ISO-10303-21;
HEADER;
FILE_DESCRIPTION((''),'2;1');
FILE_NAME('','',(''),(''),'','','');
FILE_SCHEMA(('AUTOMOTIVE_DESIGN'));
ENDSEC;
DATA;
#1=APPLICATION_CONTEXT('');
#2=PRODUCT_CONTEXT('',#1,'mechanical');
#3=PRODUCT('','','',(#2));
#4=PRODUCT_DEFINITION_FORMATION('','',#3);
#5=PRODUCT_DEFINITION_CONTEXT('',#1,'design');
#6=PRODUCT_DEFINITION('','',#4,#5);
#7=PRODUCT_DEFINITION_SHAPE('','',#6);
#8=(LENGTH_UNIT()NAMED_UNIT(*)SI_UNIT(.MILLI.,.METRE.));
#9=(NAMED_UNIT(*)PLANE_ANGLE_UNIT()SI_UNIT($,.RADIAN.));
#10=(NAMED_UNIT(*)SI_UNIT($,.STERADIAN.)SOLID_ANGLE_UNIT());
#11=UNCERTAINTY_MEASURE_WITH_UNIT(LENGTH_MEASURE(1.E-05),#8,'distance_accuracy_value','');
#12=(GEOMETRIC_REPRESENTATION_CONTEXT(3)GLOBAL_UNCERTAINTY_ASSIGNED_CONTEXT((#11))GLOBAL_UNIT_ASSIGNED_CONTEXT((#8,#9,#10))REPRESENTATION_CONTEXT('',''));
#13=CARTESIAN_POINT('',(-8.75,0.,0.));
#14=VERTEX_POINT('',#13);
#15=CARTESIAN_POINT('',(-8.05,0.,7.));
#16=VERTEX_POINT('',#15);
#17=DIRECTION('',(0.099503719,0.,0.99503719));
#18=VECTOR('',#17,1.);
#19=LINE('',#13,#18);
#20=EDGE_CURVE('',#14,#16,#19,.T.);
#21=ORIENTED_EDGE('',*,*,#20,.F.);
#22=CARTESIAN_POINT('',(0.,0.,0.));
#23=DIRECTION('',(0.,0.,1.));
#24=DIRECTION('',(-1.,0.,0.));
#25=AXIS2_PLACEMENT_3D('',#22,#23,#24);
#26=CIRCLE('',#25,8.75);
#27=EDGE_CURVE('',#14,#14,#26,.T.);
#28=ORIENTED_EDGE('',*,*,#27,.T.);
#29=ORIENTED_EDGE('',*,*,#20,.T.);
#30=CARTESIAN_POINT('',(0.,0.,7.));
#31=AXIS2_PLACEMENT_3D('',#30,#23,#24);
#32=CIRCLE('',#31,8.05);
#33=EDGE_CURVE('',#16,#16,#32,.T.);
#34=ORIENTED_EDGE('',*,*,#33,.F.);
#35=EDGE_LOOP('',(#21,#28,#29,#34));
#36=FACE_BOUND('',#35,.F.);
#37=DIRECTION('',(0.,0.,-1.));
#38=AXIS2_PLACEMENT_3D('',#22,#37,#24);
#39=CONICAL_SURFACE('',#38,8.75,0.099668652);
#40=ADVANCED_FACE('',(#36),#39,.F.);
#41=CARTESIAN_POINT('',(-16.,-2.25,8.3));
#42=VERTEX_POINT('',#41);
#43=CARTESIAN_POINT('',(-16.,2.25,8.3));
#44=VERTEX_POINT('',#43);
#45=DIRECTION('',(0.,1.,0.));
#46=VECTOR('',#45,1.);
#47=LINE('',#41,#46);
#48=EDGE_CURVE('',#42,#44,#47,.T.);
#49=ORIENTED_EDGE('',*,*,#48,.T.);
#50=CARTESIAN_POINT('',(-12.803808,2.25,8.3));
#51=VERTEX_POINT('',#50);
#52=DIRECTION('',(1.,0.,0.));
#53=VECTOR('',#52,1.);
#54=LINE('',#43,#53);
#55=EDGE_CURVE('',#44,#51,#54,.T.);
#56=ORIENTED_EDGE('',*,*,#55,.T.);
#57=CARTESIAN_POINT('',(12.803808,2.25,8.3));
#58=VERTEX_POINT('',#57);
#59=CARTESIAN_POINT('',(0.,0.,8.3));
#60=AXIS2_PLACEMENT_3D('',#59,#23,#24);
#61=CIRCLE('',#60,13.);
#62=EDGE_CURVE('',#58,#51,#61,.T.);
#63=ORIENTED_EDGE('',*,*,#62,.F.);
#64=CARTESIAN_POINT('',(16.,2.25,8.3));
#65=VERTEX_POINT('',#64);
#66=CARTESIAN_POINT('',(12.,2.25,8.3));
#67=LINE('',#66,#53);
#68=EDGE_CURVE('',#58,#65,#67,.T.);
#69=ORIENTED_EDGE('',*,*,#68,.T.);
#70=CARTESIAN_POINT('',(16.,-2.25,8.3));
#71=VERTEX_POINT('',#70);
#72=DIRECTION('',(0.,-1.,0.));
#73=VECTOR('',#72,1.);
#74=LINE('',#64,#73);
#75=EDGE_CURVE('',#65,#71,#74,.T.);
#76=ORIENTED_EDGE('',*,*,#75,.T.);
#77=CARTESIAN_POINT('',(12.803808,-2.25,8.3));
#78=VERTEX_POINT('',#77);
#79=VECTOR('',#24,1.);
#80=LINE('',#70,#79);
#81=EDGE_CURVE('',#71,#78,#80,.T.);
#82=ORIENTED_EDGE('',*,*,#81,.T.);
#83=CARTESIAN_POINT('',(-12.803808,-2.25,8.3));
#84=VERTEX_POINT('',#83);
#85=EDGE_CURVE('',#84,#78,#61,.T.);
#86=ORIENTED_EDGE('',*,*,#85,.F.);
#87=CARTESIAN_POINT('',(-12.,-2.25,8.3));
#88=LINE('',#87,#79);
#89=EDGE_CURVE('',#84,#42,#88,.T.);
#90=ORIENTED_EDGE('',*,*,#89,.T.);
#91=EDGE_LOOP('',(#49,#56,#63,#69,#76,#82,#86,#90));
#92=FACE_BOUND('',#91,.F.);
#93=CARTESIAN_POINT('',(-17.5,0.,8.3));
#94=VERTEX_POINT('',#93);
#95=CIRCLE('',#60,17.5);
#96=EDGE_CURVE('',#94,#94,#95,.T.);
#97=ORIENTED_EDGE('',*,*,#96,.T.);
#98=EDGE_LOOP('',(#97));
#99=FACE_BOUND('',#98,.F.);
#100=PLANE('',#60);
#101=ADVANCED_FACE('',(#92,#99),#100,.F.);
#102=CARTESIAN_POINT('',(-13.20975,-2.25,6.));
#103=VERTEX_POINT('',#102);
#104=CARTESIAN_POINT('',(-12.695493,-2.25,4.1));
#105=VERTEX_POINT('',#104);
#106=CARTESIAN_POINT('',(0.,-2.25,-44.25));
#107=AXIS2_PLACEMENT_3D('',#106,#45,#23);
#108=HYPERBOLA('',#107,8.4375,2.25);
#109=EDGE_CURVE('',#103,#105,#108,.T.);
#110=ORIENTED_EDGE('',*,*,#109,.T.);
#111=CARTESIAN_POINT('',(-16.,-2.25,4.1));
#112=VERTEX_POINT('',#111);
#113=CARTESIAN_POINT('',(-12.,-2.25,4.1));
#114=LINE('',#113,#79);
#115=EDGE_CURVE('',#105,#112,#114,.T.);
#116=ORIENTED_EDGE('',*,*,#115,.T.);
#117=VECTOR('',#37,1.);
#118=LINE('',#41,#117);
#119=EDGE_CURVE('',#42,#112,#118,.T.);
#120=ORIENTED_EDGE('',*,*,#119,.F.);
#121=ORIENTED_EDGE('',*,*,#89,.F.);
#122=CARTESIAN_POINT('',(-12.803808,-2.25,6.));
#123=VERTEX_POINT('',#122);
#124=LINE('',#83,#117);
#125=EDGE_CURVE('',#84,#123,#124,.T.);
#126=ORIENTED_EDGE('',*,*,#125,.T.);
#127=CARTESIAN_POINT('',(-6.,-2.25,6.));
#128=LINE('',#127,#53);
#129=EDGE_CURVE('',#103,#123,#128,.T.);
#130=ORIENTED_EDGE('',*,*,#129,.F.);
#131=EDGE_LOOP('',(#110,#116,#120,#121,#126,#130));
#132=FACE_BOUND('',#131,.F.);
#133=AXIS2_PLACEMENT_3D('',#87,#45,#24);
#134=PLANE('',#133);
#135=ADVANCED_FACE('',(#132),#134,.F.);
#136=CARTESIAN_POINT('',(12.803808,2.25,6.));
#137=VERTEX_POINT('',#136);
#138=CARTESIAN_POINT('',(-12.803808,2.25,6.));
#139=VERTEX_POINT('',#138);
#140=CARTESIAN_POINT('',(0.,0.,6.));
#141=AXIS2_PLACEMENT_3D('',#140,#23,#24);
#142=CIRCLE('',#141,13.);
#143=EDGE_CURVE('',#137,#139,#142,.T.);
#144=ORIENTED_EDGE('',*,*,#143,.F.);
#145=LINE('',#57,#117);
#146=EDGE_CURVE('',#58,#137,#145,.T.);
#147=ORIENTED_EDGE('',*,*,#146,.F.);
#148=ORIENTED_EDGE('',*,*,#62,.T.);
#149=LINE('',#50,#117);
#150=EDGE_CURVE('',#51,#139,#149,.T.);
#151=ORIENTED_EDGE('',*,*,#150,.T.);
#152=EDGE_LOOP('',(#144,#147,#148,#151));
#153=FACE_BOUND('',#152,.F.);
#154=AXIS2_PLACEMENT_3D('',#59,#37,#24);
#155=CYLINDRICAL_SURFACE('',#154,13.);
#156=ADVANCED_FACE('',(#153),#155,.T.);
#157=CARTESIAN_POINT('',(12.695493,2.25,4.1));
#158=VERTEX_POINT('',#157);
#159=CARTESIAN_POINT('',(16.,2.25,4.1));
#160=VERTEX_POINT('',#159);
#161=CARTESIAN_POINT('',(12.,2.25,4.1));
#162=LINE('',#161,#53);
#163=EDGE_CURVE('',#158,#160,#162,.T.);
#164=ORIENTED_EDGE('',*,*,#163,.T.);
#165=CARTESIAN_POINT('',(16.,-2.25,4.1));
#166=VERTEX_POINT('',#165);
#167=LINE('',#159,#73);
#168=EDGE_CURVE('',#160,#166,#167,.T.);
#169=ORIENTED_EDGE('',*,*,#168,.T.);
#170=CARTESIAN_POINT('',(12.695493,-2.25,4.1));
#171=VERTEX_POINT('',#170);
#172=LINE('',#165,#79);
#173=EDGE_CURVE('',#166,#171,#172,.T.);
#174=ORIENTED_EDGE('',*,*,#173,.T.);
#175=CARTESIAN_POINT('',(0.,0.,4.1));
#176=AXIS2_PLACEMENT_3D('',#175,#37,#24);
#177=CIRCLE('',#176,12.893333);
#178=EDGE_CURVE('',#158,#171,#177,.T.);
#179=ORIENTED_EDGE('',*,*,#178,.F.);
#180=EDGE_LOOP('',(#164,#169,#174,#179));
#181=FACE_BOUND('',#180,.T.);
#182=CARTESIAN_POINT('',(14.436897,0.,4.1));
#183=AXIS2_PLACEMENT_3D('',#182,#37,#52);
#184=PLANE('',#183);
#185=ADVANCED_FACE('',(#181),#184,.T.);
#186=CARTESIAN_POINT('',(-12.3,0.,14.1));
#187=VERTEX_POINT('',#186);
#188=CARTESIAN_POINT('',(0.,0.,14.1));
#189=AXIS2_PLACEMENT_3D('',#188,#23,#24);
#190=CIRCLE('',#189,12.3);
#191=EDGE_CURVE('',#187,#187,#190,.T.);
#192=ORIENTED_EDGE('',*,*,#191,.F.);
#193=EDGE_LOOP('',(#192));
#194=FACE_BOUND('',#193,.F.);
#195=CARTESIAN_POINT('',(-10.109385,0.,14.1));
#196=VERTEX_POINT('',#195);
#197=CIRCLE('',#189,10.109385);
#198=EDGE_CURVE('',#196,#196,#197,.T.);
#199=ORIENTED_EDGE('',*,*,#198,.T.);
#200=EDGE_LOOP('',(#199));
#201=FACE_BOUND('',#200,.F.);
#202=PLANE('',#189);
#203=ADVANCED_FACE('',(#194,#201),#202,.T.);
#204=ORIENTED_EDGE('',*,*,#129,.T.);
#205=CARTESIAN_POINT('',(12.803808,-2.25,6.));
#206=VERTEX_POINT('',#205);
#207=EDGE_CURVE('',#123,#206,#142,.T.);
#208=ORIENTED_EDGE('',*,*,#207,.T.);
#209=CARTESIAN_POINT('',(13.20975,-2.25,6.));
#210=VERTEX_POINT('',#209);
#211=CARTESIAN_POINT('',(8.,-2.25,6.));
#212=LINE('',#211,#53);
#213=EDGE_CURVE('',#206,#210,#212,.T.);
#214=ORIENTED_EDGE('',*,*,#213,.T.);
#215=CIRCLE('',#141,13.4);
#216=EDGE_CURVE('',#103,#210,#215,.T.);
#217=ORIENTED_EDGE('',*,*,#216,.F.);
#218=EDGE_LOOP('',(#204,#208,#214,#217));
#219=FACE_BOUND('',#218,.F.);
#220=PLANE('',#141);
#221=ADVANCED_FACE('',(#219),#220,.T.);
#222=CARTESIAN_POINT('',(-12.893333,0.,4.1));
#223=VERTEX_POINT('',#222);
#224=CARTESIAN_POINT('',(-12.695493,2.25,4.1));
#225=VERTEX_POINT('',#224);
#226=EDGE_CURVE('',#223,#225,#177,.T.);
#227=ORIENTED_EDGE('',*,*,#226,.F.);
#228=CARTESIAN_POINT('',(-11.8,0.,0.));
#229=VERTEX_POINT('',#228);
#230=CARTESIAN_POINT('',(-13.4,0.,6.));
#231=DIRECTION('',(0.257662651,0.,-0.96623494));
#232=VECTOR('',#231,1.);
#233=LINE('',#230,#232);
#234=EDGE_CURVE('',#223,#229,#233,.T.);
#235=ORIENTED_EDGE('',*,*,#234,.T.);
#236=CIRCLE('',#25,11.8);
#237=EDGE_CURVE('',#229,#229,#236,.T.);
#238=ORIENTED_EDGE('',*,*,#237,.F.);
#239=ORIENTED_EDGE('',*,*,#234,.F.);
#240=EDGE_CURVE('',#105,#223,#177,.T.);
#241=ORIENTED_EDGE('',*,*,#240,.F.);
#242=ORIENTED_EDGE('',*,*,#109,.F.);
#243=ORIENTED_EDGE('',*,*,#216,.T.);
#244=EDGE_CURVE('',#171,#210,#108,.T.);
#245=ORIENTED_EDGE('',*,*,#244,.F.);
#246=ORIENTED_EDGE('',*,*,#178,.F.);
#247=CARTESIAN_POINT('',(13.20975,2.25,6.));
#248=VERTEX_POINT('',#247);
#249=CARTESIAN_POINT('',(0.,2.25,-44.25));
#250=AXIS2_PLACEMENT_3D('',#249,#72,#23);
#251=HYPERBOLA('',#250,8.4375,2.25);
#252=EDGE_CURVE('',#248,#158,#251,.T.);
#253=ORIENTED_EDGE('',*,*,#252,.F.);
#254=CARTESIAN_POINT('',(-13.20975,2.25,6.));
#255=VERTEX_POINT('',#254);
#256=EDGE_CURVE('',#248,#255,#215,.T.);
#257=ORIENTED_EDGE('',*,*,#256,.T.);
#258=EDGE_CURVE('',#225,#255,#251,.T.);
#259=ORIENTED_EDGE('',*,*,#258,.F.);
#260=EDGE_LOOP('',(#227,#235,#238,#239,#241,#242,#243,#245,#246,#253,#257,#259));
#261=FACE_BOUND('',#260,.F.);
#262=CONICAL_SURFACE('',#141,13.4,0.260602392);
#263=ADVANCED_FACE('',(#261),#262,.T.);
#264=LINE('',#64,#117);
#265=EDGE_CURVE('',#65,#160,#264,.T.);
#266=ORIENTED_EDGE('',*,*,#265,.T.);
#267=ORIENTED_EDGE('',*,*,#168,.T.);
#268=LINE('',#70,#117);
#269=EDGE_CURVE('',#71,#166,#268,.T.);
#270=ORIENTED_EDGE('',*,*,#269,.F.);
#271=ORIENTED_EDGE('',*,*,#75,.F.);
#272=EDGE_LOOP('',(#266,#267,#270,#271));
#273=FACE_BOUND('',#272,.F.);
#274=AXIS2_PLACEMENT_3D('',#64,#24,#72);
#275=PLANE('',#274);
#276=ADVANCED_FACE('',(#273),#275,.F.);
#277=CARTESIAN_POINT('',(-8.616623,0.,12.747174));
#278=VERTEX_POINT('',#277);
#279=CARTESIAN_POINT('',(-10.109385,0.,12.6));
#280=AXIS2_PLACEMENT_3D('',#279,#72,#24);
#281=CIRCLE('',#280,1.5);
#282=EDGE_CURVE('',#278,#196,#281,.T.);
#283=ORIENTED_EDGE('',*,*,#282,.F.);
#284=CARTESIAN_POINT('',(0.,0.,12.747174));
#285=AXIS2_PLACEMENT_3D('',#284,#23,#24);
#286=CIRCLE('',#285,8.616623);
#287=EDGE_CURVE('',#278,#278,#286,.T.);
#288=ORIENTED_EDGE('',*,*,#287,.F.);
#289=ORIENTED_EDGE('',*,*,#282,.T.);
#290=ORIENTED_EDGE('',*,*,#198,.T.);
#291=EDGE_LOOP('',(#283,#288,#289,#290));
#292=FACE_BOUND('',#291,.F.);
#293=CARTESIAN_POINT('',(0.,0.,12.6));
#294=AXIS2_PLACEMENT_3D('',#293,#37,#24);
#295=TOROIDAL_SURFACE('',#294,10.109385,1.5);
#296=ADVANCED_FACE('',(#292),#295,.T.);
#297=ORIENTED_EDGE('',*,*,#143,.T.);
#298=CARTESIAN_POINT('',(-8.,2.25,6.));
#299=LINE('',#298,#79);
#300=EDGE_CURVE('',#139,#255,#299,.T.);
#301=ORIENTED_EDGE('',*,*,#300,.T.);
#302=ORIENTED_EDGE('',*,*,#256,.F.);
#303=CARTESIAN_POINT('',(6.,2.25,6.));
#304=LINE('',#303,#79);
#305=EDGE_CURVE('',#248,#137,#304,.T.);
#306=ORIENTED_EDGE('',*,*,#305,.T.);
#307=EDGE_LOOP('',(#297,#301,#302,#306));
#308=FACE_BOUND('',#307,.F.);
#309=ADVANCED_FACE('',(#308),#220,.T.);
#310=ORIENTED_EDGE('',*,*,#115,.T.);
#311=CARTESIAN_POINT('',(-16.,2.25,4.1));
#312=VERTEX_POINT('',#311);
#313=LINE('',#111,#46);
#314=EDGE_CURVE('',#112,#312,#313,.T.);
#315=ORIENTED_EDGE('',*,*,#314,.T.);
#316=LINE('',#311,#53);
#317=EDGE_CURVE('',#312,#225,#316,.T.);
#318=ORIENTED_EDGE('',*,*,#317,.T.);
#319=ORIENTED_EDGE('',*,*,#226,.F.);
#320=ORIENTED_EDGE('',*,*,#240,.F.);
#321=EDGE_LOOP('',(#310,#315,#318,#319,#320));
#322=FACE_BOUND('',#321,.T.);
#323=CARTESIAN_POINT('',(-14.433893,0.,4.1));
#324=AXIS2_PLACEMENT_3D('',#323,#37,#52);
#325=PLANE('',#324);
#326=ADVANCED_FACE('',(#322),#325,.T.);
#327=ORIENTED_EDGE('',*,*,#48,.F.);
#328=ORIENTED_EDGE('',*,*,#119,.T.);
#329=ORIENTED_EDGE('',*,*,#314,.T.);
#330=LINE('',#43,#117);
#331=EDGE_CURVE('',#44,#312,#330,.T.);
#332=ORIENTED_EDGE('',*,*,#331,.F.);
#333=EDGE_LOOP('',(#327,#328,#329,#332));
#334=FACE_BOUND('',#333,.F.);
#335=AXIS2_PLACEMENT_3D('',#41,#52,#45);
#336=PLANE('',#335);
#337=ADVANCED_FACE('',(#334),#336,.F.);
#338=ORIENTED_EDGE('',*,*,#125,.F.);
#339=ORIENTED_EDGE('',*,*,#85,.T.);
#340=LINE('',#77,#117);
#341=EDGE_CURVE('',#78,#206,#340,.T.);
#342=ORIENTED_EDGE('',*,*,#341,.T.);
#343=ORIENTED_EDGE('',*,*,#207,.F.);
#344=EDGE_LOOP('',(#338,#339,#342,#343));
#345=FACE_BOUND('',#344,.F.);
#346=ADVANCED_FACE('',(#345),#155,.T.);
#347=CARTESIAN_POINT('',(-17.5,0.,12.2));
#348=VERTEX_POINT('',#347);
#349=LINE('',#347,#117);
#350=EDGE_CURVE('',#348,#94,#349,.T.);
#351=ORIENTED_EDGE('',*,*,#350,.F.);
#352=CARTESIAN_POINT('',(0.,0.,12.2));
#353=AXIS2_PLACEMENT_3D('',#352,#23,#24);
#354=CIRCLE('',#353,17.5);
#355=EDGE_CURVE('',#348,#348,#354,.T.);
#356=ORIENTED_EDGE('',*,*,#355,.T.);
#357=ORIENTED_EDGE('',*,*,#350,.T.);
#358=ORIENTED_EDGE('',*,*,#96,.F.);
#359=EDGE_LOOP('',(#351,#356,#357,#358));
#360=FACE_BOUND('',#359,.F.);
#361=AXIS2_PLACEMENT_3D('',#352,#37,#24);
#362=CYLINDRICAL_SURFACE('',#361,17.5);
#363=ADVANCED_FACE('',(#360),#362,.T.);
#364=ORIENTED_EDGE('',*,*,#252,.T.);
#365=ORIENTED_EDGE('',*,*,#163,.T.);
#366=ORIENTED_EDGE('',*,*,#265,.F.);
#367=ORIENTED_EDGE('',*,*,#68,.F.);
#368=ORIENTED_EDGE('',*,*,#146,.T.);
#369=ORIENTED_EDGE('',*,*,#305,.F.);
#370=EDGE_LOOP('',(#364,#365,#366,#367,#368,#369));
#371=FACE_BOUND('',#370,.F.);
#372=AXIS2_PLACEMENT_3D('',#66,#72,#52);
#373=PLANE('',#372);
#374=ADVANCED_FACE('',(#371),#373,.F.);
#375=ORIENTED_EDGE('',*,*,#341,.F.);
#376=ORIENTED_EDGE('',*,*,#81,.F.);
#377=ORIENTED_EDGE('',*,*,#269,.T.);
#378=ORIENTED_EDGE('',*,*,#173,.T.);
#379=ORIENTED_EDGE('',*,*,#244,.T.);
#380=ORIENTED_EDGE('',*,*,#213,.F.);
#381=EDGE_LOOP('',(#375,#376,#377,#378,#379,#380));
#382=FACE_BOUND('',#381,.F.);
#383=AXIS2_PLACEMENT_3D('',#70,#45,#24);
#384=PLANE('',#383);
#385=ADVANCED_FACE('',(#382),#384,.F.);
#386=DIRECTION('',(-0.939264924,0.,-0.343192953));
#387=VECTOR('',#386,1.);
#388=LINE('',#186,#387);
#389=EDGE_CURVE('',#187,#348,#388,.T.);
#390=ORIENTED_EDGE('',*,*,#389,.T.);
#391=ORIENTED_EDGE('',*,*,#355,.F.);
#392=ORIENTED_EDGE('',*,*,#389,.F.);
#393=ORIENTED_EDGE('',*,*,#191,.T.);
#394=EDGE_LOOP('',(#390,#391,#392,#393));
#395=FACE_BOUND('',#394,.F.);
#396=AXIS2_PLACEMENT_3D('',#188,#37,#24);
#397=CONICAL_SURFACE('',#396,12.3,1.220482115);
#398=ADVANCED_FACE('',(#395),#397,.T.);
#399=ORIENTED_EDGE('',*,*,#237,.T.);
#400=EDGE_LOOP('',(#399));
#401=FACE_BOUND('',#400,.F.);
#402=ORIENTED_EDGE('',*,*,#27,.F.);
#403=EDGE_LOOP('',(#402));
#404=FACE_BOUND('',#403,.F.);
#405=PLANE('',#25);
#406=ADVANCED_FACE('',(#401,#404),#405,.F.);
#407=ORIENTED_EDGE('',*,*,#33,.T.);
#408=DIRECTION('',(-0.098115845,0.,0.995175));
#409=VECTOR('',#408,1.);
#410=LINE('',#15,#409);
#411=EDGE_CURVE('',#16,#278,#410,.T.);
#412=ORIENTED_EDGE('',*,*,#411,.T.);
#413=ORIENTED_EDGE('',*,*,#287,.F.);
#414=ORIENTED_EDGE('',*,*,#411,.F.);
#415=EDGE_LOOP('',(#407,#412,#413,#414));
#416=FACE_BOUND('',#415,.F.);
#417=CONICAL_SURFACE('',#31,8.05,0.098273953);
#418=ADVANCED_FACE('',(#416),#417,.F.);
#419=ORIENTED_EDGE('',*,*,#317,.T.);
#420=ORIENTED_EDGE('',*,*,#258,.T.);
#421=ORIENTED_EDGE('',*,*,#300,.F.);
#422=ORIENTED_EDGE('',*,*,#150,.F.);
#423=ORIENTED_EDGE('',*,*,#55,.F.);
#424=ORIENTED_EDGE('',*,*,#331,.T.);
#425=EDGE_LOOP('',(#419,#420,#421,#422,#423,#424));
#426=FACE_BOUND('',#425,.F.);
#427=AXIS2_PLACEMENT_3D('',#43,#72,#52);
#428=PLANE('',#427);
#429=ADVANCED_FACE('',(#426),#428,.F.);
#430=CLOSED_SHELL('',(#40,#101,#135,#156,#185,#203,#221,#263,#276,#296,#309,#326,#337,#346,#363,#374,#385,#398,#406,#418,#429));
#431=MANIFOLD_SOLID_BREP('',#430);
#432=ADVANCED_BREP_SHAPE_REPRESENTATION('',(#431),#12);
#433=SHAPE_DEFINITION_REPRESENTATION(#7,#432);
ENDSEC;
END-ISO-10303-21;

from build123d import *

# Parameters (mm, degrees)
F2_R     = 1.5
F4_DEPTH = 4.2


with BuildPart() as f1:
    # F0 (on Front) → F1 (revolve)
    with BuildSketch(Plane.XZ):
        Polygon((-11.8, 0), (-8.75, 0), (-8.05, 7), (-8.75, 14.1), (-12.3, 14.1), (-17.5, 12.2), (-17.5, 8.3), (-13, 8.3), (-13, 6), (-13.4, 6), align=None)
    revolve(axis=Axis((0, 0, 7.750909), (0, 0, 1)))

    # F2
    f2_edges = [f1.edges().sort_by_distance(p)[0] for p in [
        (8.75, 0, 14.1),
    ]]
    fillet(f2_edges, radius=F2_R)

    # F3 (on face) → F4 (join)
    with BuildSketch(Plane(origin=(0, 0, 8.3), x_dir=(1, 0, 0), z_dir=(0, 0, -1))):
        with BuildLine():
            ThreePointArc((-12.803808, -2.25), (-13, 0), (-12.803808, 2.25))
            Line((-12.803808, 2.25), (-16, 2.25))
            Line((-16, 2.25), (-16, -2.25))
            Line((-16, -2.25), (-12.803808, -2.25))
        make_face()
        with BuildLine():
            Line((16, 2.25), (12.803808, 2.25))
            ThreePointArc((12.803808, 2.25), (12.950859, 1.129269), (13, 0))
            ThreePointArc((13, 0), (12.950859, -1.129269), (12.803808, -2.25))
            Line((12.803808, -2.25), (16, -2.25))
            Line((16, -2.25), (16, 2.25))
        make_face()
        with BuildLine():
            ThreePointArc((13, 0), (12.950859, 1.129269), (12.803808, 2.25))
            Line((12.803808, 2.25), (12, 2.25))
            Line((12, 2.25), (12, -2.25))
            Line((12, -2.25), (12.803808, -2.25))
            ThreePointArc((12.803808, -2.25), (12.950859, -1.129269), (13, 0))
        make_face()
        with BuildLine():
            Line((-12, -2.25), (-12, 2.25))
            Line((-12, 2.25), (-12.803808, 2.25))
            ThreePointArc((-12.803808, 2.25), (-13, 0), (-12.803808, -2.25))
            Line((-12.803808, -2.25), (-12, -2.25))
        make_face()
    extrude(amount=F4_DEPTH)


solid = f1.part
